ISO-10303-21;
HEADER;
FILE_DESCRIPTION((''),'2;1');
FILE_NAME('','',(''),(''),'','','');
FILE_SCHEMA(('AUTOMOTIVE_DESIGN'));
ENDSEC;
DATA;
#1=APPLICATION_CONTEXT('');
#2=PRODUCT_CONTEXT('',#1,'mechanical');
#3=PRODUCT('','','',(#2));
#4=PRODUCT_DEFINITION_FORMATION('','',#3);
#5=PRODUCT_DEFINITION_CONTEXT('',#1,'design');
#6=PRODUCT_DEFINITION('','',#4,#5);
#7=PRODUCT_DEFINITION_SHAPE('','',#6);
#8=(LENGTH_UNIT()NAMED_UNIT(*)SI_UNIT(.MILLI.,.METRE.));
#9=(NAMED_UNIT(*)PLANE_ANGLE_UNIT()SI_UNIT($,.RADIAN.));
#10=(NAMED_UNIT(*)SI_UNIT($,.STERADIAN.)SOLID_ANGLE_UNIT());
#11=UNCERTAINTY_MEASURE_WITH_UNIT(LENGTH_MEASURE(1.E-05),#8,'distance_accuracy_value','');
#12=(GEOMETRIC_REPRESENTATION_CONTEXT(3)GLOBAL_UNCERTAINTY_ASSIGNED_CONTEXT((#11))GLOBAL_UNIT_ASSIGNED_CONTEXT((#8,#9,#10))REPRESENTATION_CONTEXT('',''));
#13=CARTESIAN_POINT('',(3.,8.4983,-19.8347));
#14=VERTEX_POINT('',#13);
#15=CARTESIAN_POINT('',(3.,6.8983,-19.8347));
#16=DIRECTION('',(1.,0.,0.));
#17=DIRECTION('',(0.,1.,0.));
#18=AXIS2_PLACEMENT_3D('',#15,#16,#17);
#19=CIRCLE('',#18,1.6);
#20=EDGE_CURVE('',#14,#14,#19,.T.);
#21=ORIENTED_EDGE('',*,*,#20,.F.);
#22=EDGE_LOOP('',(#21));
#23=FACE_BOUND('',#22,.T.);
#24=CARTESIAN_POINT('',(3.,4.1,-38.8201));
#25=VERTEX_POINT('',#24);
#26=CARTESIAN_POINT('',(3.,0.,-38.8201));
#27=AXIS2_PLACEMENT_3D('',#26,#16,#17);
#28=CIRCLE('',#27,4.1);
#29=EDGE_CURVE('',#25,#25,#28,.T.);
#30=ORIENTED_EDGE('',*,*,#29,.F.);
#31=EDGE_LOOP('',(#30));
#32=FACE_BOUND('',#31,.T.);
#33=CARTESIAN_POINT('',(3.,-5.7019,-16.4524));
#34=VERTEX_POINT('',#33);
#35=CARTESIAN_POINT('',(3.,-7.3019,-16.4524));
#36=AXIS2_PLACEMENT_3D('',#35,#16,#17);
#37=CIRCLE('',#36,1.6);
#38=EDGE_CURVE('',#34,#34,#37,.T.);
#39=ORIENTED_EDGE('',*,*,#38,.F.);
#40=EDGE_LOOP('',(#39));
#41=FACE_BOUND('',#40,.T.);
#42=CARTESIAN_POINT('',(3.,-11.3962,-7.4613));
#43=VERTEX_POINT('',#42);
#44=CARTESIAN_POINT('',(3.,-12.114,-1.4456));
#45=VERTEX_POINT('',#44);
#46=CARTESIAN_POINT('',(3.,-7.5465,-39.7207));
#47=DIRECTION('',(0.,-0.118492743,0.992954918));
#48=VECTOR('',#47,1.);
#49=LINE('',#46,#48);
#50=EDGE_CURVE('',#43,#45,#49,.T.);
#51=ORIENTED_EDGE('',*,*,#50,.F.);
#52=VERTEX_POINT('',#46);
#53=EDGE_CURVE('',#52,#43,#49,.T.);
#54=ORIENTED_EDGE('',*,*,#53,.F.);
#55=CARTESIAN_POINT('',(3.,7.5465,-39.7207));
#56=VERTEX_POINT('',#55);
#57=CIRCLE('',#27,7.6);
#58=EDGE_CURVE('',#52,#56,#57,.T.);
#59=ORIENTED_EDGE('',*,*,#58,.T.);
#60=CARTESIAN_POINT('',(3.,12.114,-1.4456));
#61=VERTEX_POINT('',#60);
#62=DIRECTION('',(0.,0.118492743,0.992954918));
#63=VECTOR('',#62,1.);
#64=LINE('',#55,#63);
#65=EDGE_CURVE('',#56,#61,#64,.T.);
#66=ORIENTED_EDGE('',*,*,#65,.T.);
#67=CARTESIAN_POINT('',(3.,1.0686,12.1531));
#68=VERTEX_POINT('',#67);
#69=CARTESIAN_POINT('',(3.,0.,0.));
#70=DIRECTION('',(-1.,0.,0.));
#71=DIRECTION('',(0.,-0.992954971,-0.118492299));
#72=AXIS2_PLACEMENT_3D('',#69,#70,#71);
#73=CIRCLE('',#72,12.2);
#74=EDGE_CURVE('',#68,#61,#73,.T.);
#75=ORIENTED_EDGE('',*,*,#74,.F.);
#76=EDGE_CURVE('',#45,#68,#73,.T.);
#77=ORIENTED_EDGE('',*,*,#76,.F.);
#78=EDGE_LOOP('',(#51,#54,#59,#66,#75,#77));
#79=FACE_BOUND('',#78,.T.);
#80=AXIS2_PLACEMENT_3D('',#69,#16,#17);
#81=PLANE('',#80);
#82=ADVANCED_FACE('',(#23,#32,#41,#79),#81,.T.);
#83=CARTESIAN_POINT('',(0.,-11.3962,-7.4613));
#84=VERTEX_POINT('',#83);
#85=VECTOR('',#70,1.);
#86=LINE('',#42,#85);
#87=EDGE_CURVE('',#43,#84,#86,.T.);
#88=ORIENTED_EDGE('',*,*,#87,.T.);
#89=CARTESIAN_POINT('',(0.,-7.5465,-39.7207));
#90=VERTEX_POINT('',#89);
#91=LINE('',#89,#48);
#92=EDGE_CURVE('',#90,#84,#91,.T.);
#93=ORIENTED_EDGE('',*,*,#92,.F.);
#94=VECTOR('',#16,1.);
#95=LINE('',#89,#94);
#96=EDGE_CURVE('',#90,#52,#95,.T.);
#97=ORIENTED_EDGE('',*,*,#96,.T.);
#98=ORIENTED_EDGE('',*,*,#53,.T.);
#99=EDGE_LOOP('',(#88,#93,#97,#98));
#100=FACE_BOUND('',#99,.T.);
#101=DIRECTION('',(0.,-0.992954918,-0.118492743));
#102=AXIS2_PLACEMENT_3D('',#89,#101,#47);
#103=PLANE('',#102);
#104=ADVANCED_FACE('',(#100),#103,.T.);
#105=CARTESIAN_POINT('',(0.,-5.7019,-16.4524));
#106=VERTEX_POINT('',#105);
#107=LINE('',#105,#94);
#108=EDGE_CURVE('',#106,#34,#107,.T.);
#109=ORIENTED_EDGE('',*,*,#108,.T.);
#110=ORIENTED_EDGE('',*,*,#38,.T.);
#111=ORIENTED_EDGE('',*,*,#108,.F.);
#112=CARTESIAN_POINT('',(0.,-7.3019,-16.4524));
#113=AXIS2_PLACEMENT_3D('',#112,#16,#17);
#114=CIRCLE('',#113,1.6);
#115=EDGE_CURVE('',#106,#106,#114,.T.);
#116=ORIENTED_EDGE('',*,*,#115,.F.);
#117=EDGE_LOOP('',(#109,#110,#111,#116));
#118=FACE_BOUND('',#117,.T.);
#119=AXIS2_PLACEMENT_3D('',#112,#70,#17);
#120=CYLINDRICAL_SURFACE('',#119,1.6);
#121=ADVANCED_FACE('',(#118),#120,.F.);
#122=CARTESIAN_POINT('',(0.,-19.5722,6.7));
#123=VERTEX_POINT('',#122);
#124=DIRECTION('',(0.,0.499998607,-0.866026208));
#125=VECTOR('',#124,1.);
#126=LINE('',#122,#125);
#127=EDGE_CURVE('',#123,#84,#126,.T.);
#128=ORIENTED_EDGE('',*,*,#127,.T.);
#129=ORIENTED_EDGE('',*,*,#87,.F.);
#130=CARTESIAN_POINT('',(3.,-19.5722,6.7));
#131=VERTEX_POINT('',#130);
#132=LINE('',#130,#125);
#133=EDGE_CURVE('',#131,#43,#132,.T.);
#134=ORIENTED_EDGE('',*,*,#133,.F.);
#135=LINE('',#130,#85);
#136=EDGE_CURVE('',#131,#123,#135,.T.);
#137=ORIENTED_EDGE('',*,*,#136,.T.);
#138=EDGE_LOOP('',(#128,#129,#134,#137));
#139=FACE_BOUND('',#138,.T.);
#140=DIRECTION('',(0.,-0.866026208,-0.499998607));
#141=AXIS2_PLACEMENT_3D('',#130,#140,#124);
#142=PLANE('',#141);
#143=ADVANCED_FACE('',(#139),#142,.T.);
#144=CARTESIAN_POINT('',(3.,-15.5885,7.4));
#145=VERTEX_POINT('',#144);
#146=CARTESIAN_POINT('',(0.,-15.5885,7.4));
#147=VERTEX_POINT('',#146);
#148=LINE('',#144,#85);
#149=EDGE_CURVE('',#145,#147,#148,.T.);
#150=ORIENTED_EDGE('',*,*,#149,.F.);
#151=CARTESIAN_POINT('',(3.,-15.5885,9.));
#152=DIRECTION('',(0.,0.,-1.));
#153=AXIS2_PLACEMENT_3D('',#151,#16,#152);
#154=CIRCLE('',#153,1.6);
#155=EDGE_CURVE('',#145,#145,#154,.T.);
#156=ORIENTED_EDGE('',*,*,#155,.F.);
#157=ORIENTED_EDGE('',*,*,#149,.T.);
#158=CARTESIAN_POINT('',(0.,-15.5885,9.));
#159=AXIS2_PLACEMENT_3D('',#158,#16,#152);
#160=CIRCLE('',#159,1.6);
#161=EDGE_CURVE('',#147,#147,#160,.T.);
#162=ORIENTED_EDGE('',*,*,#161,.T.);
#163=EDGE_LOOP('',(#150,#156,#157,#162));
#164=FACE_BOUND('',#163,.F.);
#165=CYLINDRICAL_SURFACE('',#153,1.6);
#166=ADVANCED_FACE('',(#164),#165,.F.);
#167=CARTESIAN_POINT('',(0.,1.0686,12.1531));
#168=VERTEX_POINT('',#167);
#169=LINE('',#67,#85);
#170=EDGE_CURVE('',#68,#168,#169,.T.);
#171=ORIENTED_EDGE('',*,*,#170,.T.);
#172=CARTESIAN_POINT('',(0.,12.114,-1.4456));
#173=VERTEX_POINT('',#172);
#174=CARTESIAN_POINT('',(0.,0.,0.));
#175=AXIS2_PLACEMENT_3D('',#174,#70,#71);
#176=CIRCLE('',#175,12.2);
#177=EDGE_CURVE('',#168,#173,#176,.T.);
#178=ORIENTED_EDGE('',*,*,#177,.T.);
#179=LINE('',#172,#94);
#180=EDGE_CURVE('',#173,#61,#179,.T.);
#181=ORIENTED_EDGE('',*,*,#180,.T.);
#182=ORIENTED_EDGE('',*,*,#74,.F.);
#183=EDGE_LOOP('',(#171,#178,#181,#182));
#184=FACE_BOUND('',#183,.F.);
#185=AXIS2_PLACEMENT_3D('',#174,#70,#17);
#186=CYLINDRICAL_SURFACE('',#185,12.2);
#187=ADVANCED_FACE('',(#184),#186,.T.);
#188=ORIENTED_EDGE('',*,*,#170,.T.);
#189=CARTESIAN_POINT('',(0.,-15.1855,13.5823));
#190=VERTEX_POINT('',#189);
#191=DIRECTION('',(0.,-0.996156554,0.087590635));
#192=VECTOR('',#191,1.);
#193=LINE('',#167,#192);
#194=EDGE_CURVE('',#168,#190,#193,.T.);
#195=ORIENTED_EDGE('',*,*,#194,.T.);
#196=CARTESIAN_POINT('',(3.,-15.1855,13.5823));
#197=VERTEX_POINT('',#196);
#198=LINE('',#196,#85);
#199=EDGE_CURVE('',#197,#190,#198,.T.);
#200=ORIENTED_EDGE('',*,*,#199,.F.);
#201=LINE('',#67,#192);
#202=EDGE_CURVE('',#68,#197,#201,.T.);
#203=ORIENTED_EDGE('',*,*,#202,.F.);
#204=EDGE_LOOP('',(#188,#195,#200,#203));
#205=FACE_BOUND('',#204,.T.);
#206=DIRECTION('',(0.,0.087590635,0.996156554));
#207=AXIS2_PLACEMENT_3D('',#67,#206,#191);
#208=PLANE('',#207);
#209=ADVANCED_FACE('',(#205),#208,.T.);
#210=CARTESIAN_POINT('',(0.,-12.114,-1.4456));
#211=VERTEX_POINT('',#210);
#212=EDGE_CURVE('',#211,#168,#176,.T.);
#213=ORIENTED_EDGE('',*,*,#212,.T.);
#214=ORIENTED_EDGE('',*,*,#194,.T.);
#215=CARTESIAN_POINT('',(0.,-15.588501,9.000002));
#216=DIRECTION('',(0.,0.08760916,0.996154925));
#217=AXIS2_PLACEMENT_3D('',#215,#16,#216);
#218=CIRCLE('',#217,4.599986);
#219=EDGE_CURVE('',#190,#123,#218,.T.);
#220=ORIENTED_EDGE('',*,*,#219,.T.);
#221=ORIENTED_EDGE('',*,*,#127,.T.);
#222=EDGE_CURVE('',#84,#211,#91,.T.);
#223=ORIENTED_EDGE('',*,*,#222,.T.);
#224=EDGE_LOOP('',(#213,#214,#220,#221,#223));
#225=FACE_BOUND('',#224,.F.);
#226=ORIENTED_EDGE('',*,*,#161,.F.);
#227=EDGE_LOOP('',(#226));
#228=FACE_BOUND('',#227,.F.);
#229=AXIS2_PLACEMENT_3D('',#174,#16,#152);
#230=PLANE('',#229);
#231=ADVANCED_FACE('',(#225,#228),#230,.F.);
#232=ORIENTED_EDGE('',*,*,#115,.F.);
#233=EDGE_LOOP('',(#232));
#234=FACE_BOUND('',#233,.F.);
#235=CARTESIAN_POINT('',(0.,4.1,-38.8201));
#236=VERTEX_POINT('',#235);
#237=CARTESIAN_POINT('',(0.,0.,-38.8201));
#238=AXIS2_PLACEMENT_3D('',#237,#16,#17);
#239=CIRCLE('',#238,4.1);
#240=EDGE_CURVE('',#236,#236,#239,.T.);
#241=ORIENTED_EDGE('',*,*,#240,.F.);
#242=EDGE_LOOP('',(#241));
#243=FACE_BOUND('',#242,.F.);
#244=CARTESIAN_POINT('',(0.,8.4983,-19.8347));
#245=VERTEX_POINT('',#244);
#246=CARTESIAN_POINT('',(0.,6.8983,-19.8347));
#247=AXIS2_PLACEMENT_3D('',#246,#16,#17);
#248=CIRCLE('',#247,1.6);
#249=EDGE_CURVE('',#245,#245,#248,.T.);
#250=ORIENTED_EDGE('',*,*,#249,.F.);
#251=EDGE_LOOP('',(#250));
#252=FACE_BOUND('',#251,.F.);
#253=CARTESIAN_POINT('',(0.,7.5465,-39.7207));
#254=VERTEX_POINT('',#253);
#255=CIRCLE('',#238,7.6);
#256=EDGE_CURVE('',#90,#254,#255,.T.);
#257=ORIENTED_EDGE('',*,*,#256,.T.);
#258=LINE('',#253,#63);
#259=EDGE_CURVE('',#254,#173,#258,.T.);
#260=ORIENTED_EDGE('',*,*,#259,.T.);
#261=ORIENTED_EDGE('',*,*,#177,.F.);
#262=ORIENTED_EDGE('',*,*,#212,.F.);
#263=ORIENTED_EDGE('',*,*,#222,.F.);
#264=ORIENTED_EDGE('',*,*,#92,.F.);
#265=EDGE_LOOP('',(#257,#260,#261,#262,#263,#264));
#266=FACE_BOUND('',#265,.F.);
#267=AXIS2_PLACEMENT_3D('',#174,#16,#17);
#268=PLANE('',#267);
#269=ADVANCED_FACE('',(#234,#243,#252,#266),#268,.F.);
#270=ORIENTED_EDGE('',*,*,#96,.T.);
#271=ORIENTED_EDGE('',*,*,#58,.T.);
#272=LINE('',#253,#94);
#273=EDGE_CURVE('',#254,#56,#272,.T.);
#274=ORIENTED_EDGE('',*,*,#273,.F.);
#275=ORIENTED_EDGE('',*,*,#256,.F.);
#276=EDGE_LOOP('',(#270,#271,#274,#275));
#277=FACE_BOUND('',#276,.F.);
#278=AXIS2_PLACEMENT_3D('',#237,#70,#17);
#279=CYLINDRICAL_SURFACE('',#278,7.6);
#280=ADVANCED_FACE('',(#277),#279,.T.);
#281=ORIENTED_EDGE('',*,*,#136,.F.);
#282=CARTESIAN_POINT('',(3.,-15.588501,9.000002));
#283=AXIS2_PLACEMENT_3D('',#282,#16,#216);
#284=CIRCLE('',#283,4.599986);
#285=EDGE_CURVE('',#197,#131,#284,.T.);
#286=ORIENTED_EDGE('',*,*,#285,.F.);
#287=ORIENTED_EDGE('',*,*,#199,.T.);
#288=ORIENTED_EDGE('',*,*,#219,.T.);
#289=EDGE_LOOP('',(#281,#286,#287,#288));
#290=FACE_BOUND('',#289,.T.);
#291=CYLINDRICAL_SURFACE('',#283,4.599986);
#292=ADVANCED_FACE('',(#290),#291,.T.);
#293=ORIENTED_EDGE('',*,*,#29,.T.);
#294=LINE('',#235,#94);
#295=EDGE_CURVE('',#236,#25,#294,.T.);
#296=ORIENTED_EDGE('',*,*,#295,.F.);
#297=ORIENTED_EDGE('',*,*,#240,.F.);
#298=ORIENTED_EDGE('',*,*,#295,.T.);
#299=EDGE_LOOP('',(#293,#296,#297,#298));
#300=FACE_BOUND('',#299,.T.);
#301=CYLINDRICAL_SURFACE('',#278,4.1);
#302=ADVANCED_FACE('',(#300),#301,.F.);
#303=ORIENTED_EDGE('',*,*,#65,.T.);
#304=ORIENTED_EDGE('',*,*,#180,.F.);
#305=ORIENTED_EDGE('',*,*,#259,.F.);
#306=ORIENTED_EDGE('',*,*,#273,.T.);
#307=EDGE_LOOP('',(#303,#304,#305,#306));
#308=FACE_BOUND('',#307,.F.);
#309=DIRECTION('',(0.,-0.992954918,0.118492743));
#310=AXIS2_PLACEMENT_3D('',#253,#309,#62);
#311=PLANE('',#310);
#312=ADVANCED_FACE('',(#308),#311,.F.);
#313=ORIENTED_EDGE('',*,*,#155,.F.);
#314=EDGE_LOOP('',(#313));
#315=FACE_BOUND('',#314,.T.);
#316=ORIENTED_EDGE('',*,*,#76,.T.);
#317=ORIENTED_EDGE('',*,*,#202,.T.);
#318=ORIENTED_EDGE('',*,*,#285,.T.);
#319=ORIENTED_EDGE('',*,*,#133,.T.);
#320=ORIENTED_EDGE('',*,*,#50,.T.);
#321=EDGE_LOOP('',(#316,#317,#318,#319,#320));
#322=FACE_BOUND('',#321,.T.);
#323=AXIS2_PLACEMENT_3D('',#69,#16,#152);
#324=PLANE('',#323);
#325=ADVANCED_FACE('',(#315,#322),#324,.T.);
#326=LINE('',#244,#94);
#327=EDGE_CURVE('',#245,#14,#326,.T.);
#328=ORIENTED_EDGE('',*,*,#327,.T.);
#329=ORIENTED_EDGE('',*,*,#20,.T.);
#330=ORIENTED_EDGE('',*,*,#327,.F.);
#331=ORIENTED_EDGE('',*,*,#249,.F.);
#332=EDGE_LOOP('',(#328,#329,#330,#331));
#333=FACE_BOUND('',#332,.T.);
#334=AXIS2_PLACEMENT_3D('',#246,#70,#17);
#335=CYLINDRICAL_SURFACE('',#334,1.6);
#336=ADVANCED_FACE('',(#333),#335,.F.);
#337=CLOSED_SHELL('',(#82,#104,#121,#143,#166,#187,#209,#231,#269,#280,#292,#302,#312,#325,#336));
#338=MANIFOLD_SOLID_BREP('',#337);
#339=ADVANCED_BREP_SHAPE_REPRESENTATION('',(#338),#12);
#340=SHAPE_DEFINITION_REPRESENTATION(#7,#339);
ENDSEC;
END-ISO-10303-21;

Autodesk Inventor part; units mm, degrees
ref_plane "YZ Plane" through (0, 0, 0) normal (1, 0, 0) x (0, 1, 0)
ref_plane "XZ Plane" through (0, 0, 0) normal (0, 1, 0) x (-1, 0, 0)
ref_plane "XY Plane" through (0, 0, 0) normal (0, 0, 1) x (1, 0, 0)
sketch "Эскиз1" plane through (0, 0, 0) normal (1, 0, 0) x (0, 1, 0)
  circle A0 centre (35.2311, -22.6062) radius 9.3
  circle A1 centre (0, -38.8201) radius 6.1 construction
  circle A2 centre (0, 0) radius 4.85 construction
  circle A3 centre (35.8147, -49.5529) radius 3.55
  line L0 (6.0968, -38.6237) -> (4.8475, 0.1562) construction
  line L1 (-4.8475, 0.1562) -> (-6.0968, -38.6237) construction
  line L2 (0, 0) -> (0, -38.8201) construction
  circle A4 centre (0, -38.8201) radius 4.1
  circle A5 centre (0, 0) radius 2.25
  circle A6 centre (0, -38.8201) radius 15 construction
  circle A7 centre (0, 0) radius 14 construction
  circle A8 centre (0, -38.8201) radius 7.6
  circle A9 centre (0, 0) radius 7 construction
  line L3 (7.5465, -39.7207) -> (12.114, -1.4456)
  line L4 (-7.5465, -39.7207) -> (-12.114, -1.4456)
  circle A10 centre (0, 0) radius 8.8 construction
  circle A11 centre (0, 0) radius 12.2
  circle A12 centre (6.8983, -19.8347) radius 1.6
  circle A13 centre (-7.3019, -16.4524) radius 1.6
  point P0 (-7, 0)
  point P1 (-7.5465, -39.7207)
  point P2 (-12.114, -1.4456)
  dimension "d0" = 18.6
  dimension "d1" = 12.2
  dimension "d2" = 9.7
  dimension "d3" = 7.1
  dimension "d8" = 38.8201
  dimension "d13" = 38.8
  dimension "d14" = 38.8
  dimension "d23" = 8.2
  dimension "d24" = 4.5
  dimension "d25" = 30
  dimension "d26" = 28
  dimension "d28" = 14
  dimension "d31" = 17.6
  dimension "d32" = 3.4
  dimension "d56" = 3.5
  dimension "d58" = 3.2
  dimension "d59" = 3
  dimension "d60" = 21
  dimension "d61" = 3.2
  dimension "d62" = 3
  dimension "d63" = 18
extrude "Выдавливание4" add sketch "Эскиз1" along normal blind 3 contours A5 | A8 | A8 L4 A11 L3 | A11
sketch "Эскиз4" plane through (0, 0, 0) normal (-1, 0, 0) x (0, 0, 1)
  circle A0 centre (-6.2, 6.2) radius 1.4
  circle A1 centre (-38.8201, 0) radius 4.1 construction
  arc A2 (-1.4456, -12.114) -> (-1.4456, 12.114) centre (0, 0) ccw construction
  line L0 (-39.7207, 7.5465) -> (-1.4456, 12.114) construction
  arc A3 (-39.7207, 7.5465) -> (-39.7207, -7.5465) centre (-38.8201, 0) ccw construction
  line L1 (-1.4456, -12.114) -> (-39.7207, -7.5465) construction
  line L2 (0, 0) -> (0, 12.2) construction
  arc A4 (-1.4456, -12.114) -> (-1.4456, 12.114) centre (0, 0) ccw construction
  line L3 (0, 0) -> (12.2, 0) construction
  circle A5 centre (6.2, 6.2) radius 1.4
  circle A6 centre (-6.2, -6.2) radius 1.4
  circle A7 centre (6.2, -6.2) radius 1.4
  dimension "d33" = 2.8
  dimension "d34" = 12.4
  dimension "d35" = 12.4
extrude "Выдавливание5" [suppressed]
sketch "Эскиз5" plane through (3, 0, 0) normal (1, 0, 0) x (0, 0, -1)
  circle A0 centre (0, 0) radius 3.75
  dimension "d38" = 7.5
extrude "Выдавливание6" [suppressed]
sketch "Эскиз6" plane through (3, 0, 0) normal (1, 0, 0) x (0, 0, -1)
  circle A0 centre (0, -18) radius 2
  circle A1 centre (38.8201, 0) radius 4.1 construction
  line L0 (39.7207, 7.5465) -> (1.4456, 12.114) construction
  arc A2 (1.4456, 12.114) -> (1.4456, -12.114) centre (0, 0) ccw construction
  line L1 (1.4456, -12.114) -> (39.7207, -7.5465) construction
  arc A3 (39.7207, -7.5465) -> (39.7207, 7.5465) centre (38.8201, 0) ccw construction
  line L2 (0, 0) -> (0, -26.6004) construction
  circle A4 centre (0, 0) radius 14 construction
  line L3 (-10.8605, -5.5578) -> (-3.5608, -19.8222)
  arc A5 (0, -14) -> (-3.5608, -19.8222) centre (0, -18) ccw construction
  line L4 (2.8284, -20.8284) -> (12.911, -10.7458)
  line L5 (1.4456, -12.114) -> (39.7207, -7.5465) construction
  arc A6 (2.8284, -20.8284) -> (0, -14) centre (0, -18) ccw construction
  arc A7 (-3.5608, -19.8222) -> (2.8284, -20.8284) centre (0, -18) ccw
  line L6 (-10.8605, -5.5578) -> (-10.1465, -5.5578)
  line L7 (-10.1465, -5.5578) -> (-6.8136, -9.4237)
  line L8 (-6.8136, -9.4237) -> (5.1237, -10.512)
  line L9 (5.1237, -10.512) -> (12.911, -10.7458)
  dimension "d42" = 28
  dimension "d41" = 4
  dimension "d43" = 18
  dimension "d44" = 8
  dimension "d45" = 45
extrude "Выдавливание7" [suppressed]
sketch "Эскиз7" plane through (3, 0, 0) normal (1, 0, 0) x (0, 0, -1)
  line L0 (0, 0) -> (0, -29.4139) construction
  circle A0 centre (-9, -15.5885) radius 1.6
  line L1 (-9, -15.5885) -> (0, 0) construction
  circle A1 centre (0, 0) radius 14 construction
  circle A2 centre (0, 0) radius 18 construction
  arc A3 (-6.7, -19.5722) -> (-13.5823, -15.1855) centre (-9, -15.5885) ccw construction
  circle A4 centre (38.8201, 0) radius 4.1 construction
  line L2 (39.7207, 7.5465) -> (1.4456, 12.114) construction
  arc A5 (1.4456, 12.114) -> (1.4456, -12.114) centre (0, 0) ccw projected
  line L3 (1.4456, -12.114) -> (39.7207, -7.5465) projected
  arc A6 (39.7207, -7.5465) -> (39.7207, 7.5465) centre (38.8201, 0) ccw construction
  line L4 (-12.1531, 1.0686) -> (-13.5823, -15.1855)
  line L5 (-6.7, -19.5722) -> (7.4613, -11.3962)
  line L6 (1.4456, -12.114) -> (39.7207, -7.5465) construction
  arc A7 (-13.5823, -15.1855) -> (-6.7, -19.5722) centre (-9, -15.5885) ccw
  point P0 (7.4613, -11.3962)
  dimension "d48" = 3.2
  dimension "d49" = 330
  dimension "d50" = 28
  dimension "d51" = 4
  dimension "d53" = 30
  dimension "d57" = 3
extrude "Выдавливание8" add sketch "Эскиз7" against normal up to surface (3 mm away)
properties part number "left_wall_v1"
